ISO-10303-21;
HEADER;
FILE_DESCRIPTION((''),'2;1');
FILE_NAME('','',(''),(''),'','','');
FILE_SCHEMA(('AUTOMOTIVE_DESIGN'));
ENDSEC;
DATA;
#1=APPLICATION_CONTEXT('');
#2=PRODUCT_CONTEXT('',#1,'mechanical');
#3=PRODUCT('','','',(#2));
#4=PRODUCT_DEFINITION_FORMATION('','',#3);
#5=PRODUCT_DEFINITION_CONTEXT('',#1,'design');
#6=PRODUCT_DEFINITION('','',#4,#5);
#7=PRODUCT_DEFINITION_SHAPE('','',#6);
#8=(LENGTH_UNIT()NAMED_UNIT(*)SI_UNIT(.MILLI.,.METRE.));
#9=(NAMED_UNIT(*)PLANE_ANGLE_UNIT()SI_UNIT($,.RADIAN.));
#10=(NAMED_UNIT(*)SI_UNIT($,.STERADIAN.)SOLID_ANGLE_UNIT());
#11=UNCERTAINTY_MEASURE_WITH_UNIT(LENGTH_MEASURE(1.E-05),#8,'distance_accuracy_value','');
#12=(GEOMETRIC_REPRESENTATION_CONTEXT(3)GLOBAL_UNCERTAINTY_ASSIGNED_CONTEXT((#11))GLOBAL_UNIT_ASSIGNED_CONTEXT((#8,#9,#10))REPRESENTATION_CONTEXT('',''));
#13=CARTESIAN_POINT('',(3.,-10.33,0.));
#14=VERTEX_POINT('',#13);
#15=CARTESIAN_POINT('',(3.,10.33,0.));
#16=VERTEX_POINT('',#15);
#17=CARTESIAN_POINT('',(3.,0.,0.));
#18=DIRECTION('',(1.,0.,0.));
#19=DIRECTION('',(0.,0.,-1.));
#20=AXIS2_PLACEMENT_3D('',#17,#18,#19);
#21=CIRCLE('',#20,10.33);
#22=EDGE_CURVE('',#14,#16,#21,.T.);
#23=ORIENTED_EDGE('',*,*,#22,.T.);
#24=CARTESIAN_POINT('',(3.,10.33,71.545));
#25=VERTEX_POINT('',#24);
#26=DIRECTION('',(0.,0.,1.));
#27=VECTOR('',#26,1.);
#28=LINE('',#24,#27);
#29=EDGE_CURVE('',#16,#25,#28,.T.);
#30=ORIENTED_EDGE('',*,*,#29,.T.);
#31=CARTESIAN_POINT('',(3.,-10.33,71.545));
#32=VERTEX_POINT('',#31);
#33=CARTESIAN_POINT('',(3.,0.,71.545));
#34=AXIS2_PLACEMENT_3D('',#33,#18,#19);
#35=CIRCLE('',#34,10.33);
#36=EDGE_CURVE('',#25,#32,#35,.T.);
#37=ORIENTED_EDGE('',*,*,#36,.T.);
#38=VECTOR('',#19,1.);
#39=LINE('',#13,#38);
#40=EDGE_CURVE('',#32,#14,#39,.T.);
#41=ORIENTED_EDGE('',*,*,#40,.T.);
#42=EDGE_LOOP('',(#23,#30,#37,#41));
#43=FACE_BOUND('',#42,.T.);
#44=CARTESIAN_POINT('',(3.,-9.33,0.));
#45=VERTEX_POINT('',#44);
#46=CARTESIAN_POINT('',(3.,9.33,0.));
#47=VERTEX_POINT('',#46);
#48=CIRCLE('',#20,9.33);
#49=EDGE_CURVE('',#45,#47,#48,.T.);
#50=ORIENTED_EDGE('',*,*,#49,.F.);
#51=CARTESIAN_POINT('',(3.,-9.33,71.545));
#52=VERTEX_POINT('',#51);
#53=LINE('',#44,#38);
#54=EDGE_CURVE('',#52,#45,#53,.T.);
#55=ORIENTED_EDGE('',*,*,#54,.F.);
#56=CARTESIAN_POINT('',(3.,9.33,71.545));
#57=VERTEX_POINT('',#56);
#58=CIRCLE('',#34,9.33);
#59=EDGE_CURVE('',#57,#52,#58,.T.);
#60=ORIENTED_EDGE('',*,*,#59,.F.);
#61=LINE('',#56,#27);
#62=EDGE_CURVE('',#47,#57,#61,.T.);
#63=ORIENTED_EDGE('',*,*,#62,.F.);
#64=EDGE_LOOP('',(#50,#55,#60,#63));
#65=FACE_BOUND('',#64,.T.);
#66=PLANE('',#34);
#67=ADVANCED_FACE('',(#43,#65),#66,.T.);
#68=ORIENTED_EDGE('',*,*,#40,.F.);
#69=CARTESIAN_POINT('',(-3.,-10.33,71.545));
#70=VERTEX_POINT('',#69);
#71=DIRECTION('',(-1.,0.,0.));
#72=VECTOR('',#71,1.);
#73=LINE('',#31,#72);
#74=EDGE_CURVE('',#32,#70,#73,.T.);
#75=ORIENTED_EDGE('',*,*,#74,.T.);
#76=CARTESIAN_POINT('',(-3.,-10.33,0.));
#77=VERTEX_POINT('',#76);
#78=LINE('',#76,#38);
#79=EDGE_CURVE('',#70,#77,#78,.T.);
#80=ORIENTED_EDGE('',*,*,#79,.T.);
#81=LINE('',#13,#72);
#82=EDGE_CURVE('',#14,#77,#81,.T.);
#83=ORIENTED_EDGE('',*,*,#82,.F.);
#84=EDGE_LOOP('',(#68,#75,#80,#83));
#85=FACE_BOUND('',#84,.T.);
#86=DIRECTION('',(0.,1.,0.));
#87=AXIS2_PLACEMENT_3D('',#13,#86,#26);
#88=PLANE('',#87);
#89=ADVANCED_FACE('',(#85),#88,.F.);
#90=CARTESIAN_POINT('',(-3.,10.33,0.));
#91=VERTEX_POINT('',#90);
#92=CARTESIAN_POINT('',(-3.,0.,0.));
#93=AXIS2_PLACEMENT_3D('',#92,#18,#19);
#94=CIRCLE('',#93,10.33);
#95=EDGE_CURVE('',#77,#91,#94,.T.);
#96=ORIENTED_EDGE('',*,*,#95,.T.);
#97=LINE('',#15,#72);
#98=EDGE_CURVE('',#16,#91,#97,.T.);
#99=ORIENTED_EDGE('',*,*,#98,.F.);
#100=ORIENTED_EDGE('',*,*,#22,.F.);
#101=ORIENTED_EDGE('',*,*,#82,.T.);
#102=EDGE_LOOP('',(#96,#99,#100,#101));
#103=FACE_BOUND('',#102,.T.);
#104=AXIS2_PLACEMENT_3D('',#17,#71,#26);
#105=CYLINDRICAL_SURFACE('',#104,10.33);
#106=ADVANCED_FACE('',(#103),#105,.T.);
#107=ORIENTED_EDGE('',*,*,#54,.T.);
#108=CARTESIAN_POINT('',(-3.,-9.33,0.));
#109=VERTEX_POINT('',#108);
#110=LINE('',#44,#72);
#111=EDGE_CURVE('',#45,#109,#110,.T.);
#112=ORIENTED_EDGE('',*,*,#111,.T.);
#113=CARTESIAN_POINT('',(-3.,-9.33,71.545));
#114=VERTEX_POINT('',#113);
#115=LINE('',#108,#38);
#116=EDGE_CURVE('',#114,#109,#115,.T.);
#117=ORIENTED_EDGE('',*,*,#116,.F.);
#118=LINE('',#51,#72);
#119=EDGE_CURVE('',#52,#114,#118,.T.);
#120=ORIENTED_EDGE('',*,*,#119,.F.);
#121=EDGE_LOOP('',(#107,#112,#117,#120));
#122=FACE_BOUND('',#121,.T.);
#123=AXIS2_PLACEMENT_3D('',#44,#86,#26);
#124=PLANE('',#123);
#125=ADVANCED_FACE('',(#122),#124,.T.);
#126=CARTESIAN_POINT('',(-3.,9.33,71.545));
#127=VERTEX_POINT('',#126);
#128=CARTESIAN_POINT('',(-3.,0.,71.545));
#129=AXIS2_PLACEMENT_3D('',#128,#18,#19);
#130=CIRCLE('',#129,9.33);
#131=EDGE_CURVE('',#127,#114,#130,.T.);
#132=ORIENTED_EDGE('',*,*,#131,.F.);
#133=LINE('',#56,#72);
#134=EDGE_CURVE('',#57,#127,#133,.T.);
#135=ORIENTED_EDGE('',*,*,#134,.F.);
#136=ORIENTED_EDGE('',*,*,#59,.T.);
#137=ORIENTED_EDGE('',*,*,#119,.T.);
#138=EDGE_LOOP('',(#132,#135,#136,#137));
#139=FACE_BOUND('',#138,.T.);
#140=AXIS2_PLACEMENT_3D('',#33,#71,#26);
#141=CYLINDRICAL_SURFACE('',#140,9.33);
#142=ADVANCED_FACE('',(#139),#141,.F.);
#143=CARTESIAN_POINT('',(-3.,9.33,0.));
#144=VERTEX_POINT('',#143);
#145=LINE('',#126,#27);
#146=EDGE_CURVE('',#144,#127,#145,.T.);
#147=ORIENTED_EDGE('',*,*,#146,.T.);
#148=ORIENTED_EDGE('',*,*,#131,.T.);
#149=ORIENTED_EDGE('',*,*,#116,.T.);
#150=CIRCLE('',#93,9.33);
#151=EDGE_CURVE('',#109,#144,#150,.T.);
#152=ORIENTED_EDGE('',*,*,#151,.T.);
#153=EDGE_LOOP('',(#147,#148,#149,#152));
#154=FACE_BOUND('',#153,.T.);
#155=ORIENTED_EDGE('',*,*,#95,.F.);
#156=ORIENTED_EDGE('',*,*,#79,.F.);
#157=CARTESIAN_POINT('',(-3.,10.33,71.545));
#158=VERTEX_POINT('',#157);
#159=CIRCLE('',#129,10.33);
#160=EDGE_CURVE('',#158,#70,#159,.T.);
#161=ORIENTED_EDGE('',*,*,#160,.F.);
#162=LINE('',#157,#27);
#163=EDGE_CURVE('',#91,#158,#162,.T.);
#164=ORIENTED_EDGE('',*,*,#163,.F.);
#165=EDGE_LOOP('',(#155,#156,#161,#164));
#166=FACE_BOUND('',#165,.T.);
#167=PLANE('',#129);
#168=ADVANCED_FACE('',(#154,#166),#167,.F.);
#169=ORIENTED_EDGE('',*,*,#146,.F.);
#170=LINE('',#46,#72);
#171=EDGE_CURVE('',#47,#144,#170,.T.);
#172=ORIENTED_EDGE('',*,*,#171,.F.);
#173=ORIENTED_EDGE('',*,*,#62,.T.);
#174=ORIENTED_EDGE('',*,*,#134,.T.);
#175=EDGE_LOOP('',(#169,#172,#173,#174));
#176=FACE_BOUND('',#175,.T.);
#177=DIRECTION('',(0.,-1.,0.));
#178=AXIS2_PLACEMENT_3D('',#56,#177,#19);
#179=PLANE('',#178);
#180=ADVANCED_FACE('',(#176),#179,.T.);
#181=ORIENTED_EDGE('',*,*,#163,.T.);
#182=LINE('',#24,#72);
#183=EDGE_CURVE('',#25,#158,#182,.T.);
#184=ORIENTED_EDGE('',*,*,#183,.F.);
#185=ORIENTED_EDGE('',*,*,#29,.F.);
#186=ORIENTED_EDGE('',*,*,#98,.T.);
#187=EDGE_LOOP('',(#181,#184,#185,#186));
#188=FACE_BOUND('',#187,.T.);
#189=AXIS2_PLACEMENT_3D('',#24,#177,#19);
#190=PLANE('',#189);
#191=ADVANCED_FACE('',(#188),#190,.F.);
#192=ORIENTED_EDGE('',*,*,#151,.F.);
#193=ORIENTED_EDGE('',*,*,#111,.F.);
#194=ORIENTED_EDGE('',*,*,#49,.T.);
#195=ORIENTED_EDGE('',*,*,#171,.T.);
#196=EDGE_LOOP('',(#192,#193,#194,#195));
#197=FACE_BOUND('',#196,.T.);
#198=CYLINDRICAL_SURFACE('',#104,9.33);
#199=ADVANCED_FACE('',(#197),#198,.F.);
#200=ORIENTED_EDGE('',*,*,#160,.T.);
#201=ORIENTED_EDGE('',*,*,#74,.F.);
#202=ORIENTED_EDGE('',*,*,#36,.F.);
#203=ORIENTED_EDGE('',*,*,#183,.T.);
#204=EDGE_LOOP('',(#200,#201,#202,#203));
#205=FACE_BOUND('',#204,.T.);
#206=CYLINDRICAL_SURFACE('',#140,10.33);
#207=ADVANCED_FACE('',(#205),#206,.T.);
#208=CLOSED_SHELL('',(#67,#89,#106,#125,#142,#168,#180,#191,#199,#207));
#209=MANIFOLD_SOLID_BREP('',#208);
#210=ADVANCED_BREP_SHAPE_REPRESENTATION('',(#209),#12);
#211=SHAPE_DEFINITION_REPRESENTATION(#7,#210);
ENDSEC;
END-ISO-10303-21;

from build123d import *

# Parameters (mm, degrees)
EXTRUDE_THIN1_DEPTH = 3


with BuildPart() as part:
    # Sketch1 → Extrude-Thin1 (new, symmetric)
    with BuildSketch(Plane(origin=(0, 0, 0), x_dir=(0, 0, -1), z_dir=(1, 0, 0))):
        with BuildLine():
            Line((-71.545, 10.33), (0, 10.33))
            ThreePointArc((0, 10.33), (10.33, 0), (0, -10.33))
            Line((0, -10.33), (-71.545, -10.33))
            ThreePointArc((-71.545, -10.33), (-81.875, 0), (-71.545, 10.33))
        make_face()
        with BuildLine():
            Line((-71.545, 9.33), (0, 9.33))
            ThreePointArc((0, 9.33), (9.33, 0), (0, -9.33))
            Line((0, -9.33), (-71.545, -9.33))
            ThreePointArc((-71.545, -9.33), (-80.875, 0), (-71.545, 9.33))
        make_face(mode=Mode.SUBTRACT)
    extrude(amount=EXTRUDE_THIN1_DEPTH, both=True)


solid = part.part
